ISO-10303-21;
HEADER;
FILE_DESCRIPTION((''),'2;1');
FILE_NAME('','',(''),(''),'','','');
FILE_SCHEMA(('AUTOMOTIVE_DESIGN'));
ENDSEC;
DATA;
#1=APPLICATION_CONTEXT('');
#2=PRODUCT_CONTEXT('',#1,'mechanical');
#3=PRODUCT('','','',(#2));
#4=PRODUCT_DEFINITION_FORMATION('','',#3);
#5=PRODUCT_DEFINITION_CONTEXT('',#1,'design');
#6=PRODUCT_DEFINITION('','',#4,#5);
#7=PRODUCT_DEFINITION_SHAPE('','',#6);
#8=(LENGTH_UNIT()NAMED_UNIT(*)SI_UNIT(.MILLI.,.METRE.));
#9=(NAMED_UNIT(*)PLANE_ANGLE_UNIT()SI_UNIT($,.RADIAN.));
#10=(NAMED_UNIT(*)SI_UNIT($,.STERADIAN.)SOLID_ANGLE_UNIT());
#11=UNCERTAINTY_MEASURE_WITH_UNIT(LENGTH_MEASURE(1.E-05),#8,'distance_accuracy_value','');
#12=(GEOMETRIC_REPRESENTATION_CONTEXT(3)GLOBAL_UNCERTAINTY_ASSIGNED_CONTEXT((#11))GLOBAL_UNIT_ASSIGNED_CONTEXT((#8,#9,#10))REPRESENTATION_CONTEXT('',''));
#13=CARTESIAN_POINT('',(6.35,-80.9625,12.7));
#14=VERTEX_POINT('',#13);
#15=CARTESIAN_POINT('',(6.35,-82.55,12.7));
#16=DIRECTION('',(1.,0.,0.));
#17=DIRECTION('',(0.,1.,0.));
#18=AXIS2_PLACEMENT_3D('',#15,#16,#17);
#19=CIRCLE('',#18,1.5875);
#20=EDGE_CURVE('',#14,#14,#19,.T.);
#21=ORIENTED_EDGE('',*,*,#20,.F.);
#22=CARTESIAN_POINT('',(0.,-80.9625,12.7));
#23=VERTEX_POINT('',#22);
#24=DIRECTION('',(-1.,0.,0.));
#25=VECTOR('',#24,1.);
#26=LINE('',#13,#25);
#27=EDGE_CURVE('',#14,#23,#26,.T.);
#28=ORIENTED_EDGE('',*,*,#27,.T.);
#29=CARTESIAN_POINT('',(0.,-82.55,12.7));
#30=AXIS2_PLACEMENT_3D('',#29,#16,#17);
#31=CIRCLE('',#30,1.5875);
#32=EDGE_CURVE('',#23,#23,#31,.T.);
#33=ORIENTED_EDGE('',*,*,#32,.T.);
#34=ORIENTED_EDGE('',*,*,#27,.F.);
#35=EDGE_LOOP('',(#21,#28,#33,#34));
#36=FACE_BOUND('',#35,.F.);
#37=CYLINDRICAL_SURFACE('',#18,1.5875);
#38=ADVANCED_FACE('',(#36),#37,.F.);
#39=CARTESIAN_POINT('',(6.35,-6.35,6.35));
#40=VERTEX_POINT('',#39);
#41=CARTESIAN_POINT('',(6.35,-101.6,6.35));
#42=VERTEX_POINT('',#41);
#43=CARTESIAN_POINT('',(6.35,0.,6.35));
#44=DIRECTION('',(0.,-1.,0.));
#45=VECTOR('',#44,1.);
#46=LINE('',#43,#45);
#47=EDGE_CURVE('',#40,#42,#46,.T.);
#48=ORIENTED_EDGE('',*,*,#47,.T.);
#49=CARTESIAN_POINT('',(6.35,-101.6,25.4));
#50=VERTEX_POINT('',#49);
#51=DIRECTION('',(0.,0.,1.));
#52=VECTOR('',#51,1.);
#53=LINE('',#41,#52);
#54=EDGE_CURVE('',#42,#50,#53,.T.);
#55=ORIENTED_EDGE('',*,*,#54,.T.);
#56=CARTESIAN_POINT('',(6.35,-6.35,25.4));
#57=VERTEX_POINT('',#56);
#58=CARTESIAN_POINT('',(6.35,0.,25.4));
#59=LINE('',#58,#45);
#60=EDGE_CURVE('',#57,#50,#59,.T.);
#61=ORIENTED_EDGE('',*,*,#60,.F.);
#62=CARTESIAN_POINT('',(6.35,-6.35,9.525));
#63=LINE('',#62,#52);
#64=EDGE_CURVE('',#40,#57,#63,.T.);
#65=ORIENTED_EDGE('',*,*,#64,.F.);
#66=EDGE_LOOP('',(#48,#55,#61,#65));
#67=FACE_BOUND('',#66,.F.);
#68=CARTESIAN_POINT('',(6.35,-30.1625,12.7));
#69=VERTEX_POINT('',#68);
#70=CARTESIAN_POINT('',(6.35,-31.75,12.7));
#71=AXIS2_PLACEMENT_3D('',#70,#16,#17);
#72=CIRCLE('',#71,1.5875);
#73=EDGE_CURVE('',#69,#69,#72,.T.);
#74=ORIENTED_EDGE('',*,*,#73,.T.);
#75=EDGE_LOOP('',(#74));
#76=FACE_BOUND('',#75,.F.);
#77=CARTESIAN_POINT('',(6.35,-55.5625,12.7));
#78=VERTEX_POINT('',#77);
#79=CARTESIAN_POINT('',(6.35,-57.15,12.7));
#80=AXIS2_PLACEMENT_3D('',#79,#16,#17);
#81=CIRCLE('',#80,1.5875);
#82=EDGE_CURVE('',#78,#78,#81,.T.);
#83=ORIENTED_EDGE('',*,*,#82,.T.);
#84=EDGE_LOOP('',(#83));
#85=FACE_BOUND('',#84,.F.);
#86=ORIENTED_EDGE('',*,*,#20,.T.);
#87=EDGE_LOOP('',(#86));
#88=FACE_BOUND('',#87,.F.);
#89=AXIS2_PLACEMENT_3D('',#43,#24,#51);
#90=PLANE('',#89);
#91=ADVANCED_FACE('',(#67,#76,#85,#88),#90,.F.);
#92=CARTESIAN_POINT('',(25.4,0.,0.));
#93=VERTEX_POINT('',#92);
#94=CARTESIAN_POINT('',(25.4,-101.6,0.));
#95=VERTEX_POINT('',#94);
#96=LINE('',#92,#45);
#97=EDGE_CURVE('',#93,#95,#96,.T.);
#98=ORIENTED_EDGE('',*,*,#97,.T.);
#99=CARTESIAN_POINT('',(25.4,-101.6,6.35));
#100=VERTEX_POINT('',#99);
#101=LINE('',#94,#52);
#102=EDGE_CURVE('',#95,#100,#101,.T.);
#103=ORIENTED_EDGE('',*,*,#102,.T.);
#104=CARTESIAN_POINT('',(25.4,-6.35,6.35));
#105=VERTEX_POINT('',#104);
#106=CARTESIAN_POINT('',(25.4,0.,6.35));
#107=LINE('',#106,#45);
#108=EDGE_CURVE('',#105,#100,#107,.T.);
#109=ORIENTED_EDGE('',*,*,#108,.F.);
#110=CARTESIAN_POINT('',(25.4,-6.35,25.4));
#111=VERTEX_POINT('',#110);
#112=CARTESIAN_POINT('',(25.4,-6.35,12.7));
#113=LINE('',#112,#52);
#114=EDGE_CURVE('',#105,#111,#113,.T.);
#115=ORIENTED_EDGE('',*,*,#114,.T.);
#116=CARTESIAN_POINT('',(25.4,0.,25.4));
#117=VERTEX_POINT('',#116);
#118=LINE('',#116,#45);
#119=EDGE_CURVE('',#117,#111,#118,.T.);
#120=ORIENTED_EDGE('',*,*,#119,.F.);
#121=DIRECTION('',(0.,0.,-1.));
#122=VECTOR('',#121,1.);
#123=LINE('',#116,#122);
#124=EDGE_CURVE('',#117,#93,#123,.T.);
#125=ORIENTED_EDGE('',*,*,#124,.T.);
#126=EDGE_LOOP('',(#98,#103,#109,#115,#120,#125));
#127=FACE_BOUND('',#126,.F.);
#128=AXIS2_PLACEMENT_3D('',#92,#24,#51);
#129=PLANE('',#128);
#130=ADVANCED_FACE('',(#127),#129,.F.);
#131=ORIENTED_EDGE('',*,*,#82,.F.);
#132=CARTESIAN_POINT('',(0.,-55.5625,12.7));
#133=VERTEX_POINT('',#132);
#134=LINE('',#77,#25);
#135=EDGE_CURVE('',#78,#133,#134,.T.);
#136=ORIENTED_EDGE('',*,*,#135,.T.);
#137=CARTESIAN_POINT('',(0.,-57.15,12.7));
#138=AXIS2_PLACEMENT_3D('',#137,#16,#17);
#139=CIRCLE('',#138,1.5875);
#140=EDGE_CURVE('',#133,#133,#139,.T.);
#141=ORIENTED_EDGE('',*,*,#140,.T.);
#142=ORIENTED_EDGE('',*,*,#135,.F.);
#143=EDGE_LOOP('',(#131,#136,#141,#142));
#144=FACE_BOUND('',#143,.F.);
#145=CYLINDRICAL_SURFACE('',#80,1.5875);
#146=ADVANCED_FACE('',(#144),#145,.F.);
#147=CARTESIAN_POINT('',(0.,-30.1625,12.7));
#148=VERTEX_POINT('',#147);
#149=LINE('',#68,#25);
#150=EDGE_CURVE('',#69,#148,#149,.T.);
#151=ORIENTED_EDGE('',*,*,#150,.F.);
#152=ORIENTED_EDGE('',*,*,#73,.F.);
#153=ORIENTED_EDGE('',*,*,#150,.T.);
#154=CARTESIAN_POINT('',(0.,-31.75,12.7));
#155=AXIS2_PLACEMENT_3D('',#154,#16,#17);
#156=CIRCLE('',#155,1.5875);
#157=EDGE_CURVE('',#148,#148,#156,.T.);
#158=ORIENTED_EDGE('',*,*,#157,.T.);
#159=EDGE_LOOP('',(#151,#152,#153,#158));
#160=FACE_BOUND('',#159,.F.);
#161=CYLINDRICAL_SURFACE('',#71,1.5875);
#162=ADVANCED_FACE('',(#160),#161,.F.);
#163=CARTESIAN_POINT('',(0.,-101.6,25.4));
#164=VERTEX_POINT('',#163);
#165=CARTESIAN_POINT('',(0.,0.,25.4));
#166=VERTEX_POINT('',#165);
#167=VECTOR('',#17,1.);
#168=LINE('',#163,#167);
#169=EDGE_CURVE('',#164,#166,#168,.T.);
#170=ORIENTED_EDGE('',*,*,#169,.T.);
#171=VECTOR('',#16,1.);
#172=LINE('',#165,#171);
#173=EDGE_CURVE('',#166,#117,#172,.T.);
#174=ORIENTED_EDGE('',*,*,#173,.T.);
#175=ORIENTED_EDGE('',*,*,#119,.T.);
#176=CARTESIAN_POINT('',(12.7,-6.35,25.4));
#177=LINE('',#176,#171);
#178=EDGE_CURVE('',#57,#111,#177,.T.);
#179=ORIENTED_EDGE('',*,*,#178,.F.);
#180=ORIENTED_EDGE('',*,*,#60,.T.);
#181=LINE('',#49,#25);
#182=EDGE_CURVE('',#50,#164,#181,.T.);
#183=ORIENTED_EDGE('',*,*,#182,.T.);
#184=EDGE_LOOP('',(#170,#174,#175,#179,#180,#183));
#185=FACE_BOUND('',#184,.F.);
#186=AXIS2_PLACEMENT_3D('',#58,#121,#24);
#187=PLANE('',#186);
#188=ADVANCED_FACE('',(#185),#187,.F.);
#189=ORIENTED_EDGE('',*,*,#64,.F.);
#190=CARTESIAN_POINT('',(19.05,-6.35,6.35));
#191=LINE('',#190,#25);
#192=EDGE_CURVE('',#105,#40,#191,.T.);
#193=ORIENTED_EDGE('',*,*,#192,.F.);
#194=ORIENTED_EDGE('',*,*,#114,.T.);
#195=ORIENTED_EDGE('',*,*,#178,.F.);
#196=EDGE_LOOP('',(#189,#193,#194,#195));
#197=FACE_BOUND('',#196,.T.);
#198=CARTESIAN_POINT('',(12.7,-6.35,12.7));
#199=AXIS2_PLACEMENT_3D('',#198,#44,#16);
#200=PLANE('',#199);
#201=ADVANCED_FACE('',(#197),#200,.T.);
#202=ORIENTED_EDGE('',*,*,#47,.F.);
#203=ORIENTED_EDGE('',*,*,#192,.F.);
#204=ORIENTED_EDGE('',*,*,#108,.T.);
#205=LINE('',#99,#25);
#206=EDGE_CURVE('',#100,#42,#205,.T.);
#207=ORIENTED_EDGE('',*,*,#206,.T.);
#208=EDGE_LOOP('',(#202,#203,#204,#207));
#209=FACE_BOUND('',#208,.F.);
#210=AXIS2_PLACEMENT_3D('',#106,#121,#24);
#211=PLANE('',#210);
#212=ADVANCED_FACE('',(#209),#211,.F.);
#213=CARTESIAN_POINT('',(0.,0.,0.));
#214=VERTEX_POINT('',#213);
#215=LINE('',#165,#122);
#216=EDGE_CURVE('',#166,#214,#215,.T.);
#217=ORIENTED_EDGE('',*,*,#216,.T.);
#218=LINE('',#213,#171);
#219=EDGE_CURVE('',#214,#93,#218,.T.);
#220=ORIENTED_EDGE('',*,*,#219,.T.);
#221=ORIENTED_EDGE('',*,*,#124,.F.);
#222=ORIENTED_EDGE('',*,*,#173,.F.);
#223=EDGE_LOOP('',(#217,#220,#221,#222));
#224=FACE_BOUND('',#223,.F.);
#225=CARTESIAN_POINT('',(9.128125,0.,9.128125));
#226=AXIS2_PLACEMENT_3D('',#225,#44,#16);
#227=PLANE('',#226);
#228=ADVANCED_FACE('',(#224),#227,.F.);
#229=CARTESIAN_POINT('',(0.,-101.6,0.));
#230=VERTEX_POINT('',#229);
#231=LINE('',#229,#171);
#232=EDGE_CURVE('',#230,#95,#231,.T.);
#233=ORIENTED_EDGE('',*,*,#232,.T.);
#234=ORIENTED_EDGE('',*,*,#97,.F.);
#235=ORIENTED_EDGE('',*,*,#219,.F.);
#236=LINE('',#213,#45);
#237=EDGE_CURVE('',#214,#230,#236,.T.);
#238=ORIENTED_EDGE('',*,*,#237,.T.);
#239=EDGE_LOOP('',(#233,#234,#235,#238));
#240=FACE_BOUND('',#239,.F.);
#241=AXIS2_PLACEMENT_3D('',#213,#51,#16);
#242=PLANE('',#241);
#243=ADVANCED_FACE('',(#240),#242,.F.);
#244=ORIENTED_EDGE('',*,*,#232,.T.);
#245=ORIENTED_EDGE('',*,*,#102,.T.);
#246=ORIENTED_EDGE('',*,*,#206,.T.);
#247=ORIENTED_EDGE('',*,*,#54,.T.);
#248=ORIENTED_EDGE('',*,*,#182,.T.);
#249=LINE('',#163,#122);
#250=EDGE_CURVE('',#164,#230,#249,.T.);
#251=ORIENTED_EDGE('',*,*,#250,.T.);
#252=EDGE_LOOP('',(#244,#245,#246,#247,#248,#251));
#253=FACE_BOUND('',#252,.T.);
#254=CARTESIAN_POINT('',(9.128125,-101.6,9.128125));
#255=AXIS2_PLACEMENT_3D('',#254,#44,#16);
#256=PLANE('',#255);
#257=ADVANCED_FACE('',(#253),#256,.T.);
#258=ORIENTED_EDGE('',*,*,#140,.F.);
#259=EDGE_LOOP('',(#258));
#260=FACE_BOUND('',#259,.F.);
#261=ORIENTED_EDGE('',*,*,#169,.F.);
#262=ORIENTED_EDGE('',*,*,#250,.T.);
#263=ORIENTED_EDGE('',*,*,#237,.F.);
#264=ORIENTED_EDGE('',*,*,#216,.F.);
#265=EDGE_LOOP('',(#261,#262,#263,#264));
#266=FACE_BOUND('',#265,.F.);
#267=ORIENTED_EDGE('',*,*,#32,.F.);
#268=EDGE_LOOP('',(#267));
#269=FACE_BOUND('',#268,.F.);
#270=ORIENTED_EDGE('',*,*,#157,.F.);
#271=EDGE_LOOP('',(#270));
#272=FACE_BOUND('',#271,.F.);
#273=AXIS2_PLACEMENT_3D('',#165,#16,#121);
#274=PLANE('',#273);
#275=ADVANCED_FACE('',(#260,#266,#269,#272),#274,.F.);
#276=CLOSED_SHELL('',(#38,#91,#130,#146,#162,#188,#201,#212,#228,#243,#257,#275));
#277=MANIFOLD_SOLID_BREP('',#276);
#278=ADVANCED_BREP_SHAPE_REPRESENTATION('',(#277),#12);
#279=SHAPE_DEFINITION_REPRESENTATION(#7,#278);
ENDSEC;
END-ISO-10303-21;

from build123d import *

# Parameters (mm, degrees)
F1_DEPTH = 101.6
F2_W     = 25.4
F2_H     = 25.4
F3_DEPTH = 6.35
F4_R     = 1.5875
F5_DEPTH = 25.4


with BuildPart() as f1:
    # F0 (on Front) → F1 (new body)
    with BuildSketch(Plane.XZ):
        Polygon((0, 25.4), (0, 0), (25.4, 0), (25.4, 6.35), (6.35, 6.35), (6.35, 25.4), align=None)
    extrude(amount=F1_DEPTH)

    # F2 (on Front) → F3 (join)
    with BuildSketch(Plane.XZ):
        with Locations((12.7, 12.7)):
            Rectangle(F2_W, F2_H)
    extrude(amount=F3_DEPTH)

    # F4 (on face) → F5 (cut)
    with BuildSketch(Plane.YZ.offset(6.35)):
        with Locations((-31.75, 12.7)):
            Circle(F4_R)
        with Locations((-57.15, 12.7)):
            Circle(F4_R)
        with Locations((-82.55, 12.7)):
            Circle(F4_R)
    extrude(amount=-F5_DEPTH, mode=Mode.SUBTRACT)


solid = f1.part
